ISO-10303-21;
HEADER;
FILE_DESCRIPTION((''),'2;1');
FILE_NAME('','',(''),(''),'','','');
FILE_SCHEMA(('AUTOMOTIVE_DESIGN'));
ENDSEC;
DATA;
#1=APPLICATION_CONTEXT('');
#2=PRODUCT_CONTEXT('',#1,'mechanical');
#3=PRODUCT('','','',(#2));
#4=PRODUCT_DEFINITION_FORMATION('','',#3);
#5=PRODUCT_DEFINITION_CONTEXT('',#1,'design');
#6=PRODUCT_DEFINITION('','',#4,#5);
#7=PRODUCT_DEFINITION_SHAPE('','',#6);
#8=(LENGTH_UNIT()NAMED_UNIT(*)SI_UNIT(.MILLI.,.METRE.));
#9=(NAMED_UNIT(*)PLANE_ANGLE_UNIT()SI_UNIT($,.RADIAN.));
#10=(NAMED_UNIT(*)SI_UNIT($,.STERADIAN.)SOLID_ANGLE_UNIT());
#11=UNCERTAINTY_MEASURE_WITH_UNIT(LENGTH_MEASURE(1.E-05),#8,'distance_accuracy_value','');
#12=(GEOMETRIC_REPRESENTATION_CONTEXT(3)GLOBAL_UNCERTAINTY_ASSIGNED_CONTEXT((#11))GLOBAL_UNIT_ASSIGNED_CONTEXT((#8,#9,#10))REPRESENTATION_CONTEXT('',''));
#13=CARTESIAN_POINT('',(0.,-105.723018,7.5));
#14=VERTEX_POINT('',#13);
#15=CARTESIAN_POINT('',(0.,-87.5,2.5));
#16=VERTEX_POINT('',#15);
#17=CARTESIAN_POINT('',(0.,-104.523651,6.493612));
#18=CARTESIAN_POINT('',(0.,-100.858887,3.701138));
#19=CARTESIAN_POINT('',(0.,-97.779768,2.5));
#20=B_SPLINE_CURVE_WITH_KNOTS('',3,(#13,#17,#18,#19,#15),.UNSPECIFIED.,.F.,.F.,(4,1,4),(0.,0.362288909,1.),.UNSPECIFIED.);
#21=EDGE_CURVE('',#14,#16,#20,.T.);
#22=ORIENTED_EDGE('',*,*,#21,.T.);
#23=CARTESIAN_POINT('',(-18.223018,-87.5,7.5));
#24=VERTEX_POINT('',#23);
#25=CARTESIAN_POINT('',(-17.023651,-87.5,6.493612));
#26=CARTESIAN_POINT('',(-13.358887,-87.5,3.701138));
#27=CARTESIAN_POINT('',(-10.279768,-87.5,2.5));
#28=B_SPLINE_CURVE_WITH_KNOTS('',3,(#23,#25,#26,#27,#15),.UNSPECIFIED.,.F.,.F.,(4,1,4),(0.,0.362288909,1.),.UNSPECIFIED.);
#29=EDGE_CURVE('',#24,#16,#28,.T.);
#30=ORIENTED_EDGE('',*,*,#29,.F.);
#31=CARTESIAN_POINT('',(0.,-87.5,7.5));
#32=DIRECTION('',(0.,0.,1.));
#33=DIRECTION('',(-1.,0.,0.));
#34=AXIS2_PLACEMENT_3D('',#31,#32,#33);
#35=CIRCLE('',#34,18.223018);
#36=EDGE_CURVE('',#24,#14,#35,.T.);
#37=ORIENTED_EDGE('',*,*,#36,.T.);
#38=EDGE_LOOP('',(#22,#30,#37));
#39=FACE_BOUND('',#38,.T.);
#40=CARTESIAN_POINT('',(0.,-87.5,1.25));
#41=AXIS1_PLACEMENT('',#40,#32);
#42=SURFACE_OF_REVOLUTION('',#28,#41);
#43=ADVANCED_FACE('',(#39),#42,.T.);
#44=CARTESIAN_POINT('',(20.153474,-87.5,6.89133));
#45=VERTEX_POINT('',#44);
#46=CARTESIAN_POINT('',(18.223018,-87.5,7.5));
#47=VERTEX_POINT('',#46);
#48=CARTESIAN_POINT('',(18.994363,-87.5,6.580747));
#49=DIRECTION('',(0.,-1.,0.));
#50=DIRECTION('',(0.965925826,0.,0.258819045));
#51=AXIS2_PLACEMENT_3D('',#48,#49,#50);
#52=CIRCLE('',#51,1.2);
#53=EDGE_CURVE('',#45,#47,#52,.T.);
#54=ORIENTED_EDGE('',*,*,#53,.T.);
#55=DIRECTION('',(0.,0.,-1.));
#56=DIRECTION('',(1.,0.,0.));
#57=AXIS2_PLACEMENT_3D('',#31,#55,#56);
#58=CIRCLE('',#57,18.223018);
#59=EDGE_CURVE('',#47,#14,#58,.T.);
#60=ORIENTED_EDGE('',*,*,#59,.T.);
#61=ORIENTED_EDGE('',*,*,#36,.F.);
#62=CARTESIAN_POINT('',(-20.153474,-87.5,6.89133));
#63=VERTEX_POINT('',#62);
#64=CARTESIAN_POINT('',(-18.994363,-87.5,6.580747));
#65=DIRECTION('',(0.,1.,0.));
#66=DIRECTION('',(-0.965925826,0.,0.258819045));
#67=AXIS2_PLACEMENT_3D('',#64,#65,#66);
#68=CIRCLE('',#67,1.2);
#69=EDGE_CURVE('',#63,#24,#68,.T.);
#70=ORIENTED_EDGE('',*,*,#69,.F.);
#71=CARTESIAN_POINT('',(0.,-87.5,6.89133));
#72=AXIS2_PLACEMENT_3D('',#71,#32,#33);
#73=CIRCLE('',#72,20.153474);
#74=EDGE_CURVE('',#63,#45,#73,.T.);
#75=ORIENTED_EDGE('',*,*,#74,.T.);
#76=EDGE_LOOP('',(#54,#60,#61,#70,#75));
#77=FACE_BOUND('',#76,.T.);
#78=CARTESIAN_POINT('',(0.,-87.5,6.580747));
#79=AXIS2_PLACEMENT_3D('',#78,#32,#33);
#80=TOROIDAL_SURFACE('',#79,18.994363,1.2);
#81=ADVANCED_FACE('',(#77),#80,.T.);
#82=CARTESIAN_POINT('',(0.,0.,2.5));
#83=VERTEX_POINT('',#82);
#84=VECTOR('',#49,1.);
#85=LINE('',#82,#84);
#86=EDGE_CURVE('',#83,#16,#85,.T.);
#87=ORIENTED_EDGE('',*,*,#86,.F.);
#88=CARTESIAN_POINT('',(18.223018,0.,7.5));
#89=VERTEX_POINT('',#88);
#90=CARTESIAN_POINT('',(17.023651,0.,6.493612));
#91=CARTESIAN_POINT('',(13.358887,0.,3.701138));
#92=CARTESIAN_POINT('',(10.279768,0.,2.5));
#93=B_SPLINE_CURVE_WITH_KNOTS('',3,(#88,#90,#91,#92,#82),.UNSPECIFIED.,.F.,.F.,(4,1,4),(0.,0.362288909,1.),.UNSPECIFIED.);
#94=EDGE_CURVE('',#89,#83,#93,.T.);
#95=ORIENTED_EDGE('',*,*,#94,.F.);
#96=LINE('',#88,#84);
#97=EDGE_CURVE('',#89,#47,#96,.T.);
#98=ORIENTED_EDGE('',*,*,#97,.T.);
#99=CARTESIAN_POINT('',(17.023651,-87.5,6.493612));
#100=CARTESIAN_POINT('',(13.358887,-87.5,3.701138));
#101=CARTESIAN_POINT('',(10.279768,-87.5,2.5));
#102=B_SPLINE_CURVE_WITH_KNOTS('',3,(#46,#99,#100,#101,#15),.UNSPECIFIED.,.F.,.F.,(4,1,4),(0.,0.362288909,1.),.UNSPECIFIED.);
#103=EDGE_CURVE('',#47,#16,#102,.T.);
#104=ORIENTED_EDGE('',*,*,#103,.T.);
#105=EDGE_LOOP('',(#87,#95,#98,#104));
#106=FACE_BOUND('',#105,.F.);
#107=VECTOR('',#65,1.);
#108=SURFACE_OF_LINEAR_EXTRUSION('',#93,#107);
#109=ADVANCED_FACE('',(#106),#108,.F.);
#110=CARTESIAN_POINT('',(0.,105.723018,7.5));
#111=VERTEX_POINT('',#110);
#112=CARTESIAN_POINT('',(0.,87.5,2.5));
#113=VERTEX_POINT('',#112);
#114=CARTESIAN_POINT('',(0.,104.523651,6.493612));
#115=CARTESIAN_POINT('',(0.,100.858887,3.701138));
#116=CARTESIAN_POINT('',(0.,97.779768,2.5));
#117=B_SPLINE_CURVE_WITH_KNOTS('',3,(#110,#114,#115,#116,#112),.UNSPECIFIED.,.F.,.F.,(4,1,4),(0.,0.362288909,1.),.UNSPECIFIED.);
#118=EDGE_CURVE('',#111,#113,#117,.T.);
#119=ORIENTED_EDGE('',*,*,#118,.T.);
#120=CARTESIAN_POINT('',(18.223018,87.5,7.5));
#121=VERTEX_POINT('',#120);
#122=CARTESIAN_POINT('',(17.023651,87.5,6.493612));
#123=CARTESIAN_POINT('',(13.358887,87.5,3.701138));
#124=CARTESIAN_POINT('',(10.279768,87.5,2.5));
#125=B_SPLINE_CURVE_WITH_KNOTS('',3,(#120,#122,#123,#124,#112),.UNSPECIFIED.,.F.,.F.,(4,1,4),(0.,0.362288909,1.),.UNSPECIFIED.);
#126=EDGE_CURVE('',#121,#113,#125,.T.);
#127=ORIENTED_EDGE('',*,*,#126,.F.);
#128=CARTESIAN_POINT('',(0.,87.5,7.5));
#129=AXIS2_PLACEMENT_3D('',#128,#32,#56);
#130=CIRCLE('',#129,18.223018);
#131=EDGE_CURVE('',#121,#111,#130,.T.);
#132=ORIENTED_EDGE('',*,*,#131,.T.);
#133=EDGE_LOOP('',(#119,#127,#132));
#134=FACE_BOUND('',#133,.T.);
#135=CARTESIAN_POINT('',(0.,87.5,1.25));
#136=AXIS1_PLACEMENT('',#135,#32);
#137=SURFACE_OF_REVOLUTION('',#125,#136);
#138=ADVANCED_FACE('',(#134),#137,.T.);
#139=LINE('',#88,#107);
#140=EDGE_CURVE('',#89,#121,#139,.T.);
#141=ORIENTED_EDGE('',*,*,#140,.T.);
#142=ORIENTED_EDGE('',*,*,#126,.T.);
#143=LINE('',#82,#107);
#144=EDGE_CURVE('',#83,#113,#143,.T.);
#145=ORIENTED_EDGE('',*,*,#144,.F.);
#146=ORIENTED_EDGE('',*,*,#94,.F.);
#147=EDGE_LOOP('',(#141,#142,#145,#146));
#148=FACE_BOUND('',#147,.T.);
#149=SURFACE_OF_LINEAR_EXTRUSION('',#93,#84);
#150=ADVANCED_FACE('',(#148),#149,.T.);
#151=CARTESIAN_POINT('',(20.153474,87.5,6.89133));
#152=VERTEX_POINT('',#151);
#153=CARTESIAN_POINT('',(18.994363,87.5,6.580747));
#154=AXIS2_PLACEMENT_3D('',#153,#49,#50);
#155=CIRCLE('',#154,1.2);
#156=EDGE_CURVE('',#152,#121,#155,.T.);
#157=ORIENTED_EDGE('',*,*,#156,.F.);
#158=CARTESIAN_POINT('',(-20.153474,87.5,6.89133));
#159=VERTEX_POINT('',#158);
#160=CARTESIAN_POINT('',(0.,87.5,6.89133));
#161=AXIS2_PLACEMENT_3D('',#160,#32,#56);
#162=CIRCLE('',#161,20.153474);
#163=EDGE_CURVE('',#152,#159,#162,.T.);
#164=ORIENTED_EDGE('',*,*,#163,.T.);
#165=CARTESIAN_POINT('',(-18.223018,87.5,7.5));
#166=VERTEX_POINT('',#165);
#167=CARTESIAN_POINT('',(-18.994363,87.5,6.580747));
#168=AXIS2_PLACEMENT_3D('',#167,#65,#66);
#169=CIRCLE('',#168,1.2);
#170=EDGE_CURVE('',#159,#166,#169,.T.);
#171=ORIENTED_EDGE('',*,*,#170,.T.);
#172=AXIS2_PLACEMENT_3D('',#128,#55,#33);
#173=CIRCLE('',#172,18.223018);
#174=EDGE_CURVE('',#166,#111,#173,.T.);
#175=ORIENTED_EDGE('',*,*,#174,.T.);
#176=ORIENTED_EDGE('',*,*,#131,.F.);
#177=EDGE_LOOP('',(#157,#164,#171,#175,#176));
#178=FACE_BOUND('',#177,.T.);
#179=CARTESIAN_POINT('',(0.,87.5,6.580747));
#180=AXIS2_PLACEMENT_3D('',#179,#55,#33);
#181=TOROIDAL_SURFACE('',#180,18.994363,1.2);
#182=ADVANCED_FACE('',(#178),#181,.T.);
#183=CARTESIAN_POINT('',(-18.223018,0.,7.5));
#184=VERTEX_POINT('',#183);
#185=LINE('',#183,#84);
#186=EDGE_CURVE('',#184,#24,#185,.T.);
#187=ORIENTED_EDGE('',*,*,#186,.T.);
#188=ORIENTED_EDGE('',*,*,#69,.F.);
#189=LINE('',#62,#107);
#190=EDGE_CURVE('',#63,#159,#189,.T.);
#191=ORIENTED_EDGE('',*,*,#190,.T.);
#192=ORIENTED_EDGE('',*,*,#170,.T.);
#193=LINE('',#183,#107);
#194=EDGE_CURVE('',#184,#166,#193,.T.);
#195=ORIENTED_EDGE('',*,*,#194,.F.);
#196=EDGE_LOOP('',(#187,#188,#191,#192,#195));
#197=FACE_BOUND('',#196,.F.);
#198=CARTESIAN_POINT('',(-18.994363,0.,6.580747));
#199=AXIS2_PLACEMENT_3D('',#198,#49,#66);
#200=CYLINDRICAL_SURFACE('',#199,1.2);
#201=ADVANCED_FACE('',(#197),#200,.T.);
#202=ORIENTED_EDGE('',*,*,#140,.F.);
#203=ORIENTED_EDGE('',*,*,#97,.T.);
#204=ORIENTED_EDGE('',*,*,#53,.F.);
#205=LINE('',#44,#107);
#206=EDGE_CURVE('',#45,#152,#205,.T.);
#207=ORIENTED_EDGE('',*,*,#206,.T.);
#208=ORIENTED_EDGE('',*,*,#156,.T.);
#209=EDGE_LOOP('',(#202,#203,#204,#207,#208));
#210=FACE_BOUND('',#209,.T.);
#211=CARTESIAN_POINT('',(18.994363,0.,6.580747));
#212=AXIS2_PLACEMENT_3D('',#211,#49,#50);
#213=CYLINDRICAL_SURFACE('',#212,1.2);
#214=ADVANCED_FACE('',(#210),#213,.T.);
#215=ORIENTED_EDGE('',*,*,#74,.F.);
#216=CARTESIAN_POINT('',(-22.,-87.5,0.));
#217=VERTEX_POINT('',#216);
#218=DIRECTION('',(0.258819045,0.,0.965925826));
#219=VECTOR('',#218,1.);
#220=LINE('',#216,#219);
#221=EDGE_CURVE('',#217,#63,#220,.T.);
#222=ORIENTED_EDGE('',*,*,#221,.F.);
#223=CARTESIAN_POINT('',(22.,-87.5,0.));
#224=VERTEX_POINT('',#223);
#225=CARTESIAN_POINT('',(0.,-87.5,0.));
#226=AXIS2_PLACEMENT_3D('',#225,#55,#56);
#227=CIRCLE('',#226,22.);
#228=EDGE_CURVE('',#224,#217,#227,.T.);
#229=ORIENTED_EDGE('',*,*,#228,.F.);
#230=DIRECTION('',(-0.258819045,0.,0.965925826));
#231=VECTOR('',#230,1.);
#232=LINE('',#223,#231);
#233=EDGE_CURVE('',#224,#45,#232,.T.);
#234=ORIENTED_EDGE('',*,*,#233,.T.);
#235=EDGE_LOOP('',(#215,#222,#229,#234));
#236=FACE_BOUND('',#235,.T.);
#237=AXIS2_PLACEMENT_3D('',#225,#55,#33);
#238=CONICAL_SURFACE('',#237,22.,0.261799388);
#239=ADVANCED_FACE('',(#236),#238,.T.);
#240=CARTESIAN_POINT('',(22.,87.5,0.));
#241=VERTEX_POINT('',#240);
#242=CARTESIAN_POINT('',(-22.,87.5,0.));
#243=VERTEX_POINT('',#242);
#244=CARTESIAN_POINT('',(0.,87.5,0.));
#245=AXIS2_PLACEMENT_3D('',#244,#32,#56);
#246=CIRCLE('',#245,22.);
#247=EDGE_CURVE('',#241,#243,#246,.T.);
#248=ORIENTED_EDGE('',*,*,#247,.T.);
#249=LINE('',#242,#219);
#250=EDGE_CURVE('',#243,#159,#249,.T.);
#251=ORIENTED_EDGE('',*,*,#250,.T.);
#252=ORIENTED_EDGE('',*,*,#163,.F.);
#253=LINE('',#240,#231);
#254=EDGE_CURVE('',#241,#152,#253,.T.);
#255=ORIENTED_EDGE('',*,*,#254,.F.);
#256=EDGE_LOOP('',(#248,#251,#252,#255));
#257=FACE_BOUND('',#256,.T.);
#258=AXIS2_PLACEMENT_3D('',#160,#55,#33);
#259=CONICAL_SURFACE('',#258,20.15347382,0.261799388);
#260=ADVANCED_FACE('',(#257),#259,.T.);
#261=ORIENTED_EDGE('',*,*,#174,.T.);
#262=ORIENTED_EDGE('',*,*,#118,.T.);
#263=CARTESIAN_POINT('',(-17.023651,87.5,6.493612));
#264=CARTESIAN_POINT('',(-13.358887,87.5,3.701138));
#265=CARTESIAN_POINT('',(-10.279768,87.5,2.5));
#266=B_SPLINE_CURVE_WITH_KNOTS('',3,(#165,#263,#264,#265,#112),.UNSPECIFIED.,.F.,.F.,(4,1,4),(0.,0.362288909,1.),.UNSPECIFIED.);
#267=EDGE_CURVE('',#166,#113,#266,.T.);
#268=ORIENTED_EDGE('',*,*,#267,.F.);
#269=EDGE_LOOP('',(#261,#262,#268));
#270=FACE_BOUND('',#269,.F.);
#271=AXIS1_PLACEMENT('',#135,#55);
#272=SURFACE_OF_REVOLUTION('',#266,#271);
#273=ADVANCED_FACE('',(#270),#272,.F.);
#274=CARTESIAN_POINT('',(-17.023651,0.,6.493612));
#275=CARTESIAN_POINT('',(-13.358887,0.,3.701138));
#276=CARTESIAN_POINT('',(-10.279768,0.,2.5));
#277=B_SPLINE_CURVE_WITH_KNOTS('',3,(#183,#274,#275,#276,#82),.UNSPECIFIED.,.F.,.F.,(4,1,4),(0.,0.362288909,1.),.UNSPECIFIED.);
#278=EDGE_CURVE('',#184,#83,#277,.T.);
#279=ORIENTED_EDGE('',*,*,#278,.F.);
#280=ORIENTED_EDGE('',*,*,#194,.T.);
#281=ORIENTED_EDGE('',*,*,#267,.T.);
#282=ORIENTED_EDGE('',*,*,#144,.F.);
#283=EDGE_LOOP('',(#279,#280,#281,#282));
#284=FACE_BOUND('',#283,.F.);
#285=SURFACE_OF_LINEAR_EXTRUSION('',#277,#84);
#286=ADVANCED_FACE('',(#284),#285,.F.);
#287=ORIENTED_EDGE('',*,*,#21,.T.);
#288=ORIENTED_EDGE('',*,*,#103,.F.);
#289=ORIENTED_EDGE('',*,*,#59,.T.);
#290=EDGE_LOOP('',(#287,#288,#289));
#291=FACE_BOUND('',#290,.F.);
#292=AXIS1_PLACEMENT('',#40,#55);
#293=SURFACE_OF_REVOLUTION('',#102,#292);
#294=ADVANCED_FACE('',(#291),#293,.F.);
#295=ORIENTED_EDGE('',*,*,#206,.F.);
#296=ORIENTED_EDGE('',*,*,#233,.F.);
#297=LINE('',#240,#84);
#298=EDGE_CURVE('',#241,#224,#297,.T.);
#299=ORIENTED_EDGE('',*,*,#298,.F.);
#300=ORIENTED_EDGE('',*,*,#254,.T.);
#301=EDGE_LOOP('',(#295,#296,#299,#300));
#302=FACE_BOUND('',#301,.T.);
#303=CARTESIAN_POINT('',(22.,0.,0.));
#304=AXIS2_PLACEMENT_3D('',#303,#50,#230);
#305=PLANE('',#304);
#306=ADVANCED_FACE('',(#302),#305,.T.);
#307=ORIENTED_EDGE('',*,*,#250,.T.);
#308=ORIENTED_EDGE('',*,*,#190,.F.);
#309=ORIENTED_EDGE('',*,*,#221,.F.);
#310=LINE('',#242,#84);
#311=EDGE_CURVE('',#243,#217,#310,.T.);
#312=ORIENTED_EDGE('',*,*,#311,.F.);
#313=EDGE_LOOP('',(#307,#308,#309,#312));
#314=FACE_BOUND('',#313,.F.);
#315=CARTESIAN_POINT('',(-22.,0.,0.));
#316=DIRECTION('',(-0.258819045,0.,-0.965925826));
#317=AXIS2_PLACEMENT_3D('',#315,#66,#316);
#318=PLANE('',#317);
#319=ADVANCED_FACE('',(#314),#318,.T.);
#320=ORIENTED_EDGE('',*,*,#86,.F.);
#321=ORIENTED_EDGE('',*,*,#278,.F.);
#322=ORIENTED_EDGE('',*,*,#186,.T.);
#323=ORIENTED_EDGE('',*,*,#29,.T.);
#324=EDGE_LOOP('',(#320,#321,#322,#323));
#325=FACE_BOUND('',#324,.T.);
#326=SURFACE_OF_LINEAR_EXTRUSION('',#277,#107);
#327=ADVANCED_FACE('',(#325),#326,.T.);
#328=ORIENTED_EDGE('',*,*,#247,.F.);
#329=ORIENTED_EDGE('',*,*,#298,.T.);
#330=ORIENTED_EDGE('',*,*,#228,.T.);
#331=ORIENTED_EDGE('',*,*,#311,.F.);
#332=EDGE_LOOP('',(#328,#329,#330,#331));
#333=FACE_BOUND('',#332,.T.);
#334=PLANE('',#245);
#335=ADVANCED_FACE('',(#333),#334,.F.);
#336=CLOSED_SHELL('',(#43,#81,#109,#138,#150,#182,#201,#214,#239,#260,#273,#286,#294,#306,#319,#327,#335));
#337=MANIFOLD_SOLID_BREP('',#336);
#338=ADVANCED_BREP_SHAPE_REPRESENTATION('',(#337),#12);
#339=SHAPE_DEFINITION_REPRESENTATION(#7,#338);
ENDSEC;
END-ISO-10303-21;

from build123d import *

# Parameters (mm, degrees)
F1_DEPTH = 87.5
F2_ANGLE = 90
F3_ANGLE = 90


with BuildPart() as f1:
    # F0 (on Front) → F1 (new body, symmetric)
    with BuildSketch(Plane.XZ):
        with BuildLine():
            Line((0, 2.5), (0, 0))
            Line((0, 0), (22, 0))
            Line((22, 0), (20.1534738197, 6.8913295224))
            ThreePointArc((20.1534738197, 6.8913295224), (19.3552097876, 7.7252070092), (18.2230176965, 7.5))
            add(Edge.make_bspline(
                [(18.2230176965, 7.5), (17.023651447, 6.4936122224), (13.3588867002, 3.7011383374), (10.2797684791, 2.5), (0, 2.5)],
                knots=[0, 0, 0, 0, 0.3622889094, 1, 1, 1, 1], degree=3))
        make_face()
    extrude(amount=F1_DEPTH, both=True)

    # F1_face (on face) → F2 (revolve)
    with BuildSketch(Plane(origin=(13.027739463, -87.5, 2.3773299325), x_dir=(1, 0, 0), z_dir=(0, -1, 0))):
        with BuildLine():
            ThreePointArc((7.1257343567, 4.5139995899), (6.3274703245, 5.3478770767), (5.1952782335, 5.1226700675))
            add(Edge.make_bspline(
                [(5.1952782335, 5.1226700675), (3.995911984, 4.1162822899), (0.3311472372, 1.3238084049), (-2.7479709839, 0.1226700675), (-13.027739463, 0.1226700675)],
                knots=[0, 0, 0, 0, 0.3622889094, 1, 1, 1, 1], degree=3))
            Line((-13.027739463, 0.1226700675), (-13.027739463, -2.3773299325))
            Line((-13.027739463, -2.3773299325), (8.972260537, -2.3773299325))
            Line((8.972260537, -2.3773299325), (7.1257343567, 4.5139995899))
        make_face()
    revolve(axis=Axis((0, -87.5, 1.25), (0, 0, -1)), revolution_arc=F2_ANGLE)

    # F1_face1 (on face) → F3 (revolve)
    with BuildSketch(Plane(origin=(13.027739463, 87.5, 2.3773299325), x_dir=(1, 0, 0), z_dir=(0, 1, 0))):
        with BuildLine():
            ThreePointArc((5.1952782335, -5.1226700675), (6.3274703245, -5.3478770767), (7.1257343567, -4.5139995899))
            Line((7.1257343567, -4.5139995899), (8.972260537, 2.3773299325))
            Line((8.972260537, 2.3773299325), (-13.027739463, 2.3773299325))
            Line((-13.027739463, 2.3773299325), (-13.027739463, -0.1226700675))
            add(Edge.make_bspline(
                [(5.1952782335, -5.1226700675), (3.995911984, -4.1162822899), (0.3311472372, -1.3238084049), (-2.7479709839, -0.1226700675), (-13.027739463, -0.1226700675)],
                knots=[0, 0, 0, 0, 0.3622889094, 1, 1, 1, 1], degree=3))
        make_face()
    revolve(axis=Axis((0, 87.5, 1.25), (0, 0, 1)), revolution_arc=F3_ANGLE)

    # F4: F1 across face


with BuildPart() as f1_1:
    add(f1.part)
    add(f1.part.mirror(Plane(origin=(0, 0, 1.5692843918), x_dir=(0, -1, 0), z_dir=(-1, 0, 0))))


solid = f1_1.part
